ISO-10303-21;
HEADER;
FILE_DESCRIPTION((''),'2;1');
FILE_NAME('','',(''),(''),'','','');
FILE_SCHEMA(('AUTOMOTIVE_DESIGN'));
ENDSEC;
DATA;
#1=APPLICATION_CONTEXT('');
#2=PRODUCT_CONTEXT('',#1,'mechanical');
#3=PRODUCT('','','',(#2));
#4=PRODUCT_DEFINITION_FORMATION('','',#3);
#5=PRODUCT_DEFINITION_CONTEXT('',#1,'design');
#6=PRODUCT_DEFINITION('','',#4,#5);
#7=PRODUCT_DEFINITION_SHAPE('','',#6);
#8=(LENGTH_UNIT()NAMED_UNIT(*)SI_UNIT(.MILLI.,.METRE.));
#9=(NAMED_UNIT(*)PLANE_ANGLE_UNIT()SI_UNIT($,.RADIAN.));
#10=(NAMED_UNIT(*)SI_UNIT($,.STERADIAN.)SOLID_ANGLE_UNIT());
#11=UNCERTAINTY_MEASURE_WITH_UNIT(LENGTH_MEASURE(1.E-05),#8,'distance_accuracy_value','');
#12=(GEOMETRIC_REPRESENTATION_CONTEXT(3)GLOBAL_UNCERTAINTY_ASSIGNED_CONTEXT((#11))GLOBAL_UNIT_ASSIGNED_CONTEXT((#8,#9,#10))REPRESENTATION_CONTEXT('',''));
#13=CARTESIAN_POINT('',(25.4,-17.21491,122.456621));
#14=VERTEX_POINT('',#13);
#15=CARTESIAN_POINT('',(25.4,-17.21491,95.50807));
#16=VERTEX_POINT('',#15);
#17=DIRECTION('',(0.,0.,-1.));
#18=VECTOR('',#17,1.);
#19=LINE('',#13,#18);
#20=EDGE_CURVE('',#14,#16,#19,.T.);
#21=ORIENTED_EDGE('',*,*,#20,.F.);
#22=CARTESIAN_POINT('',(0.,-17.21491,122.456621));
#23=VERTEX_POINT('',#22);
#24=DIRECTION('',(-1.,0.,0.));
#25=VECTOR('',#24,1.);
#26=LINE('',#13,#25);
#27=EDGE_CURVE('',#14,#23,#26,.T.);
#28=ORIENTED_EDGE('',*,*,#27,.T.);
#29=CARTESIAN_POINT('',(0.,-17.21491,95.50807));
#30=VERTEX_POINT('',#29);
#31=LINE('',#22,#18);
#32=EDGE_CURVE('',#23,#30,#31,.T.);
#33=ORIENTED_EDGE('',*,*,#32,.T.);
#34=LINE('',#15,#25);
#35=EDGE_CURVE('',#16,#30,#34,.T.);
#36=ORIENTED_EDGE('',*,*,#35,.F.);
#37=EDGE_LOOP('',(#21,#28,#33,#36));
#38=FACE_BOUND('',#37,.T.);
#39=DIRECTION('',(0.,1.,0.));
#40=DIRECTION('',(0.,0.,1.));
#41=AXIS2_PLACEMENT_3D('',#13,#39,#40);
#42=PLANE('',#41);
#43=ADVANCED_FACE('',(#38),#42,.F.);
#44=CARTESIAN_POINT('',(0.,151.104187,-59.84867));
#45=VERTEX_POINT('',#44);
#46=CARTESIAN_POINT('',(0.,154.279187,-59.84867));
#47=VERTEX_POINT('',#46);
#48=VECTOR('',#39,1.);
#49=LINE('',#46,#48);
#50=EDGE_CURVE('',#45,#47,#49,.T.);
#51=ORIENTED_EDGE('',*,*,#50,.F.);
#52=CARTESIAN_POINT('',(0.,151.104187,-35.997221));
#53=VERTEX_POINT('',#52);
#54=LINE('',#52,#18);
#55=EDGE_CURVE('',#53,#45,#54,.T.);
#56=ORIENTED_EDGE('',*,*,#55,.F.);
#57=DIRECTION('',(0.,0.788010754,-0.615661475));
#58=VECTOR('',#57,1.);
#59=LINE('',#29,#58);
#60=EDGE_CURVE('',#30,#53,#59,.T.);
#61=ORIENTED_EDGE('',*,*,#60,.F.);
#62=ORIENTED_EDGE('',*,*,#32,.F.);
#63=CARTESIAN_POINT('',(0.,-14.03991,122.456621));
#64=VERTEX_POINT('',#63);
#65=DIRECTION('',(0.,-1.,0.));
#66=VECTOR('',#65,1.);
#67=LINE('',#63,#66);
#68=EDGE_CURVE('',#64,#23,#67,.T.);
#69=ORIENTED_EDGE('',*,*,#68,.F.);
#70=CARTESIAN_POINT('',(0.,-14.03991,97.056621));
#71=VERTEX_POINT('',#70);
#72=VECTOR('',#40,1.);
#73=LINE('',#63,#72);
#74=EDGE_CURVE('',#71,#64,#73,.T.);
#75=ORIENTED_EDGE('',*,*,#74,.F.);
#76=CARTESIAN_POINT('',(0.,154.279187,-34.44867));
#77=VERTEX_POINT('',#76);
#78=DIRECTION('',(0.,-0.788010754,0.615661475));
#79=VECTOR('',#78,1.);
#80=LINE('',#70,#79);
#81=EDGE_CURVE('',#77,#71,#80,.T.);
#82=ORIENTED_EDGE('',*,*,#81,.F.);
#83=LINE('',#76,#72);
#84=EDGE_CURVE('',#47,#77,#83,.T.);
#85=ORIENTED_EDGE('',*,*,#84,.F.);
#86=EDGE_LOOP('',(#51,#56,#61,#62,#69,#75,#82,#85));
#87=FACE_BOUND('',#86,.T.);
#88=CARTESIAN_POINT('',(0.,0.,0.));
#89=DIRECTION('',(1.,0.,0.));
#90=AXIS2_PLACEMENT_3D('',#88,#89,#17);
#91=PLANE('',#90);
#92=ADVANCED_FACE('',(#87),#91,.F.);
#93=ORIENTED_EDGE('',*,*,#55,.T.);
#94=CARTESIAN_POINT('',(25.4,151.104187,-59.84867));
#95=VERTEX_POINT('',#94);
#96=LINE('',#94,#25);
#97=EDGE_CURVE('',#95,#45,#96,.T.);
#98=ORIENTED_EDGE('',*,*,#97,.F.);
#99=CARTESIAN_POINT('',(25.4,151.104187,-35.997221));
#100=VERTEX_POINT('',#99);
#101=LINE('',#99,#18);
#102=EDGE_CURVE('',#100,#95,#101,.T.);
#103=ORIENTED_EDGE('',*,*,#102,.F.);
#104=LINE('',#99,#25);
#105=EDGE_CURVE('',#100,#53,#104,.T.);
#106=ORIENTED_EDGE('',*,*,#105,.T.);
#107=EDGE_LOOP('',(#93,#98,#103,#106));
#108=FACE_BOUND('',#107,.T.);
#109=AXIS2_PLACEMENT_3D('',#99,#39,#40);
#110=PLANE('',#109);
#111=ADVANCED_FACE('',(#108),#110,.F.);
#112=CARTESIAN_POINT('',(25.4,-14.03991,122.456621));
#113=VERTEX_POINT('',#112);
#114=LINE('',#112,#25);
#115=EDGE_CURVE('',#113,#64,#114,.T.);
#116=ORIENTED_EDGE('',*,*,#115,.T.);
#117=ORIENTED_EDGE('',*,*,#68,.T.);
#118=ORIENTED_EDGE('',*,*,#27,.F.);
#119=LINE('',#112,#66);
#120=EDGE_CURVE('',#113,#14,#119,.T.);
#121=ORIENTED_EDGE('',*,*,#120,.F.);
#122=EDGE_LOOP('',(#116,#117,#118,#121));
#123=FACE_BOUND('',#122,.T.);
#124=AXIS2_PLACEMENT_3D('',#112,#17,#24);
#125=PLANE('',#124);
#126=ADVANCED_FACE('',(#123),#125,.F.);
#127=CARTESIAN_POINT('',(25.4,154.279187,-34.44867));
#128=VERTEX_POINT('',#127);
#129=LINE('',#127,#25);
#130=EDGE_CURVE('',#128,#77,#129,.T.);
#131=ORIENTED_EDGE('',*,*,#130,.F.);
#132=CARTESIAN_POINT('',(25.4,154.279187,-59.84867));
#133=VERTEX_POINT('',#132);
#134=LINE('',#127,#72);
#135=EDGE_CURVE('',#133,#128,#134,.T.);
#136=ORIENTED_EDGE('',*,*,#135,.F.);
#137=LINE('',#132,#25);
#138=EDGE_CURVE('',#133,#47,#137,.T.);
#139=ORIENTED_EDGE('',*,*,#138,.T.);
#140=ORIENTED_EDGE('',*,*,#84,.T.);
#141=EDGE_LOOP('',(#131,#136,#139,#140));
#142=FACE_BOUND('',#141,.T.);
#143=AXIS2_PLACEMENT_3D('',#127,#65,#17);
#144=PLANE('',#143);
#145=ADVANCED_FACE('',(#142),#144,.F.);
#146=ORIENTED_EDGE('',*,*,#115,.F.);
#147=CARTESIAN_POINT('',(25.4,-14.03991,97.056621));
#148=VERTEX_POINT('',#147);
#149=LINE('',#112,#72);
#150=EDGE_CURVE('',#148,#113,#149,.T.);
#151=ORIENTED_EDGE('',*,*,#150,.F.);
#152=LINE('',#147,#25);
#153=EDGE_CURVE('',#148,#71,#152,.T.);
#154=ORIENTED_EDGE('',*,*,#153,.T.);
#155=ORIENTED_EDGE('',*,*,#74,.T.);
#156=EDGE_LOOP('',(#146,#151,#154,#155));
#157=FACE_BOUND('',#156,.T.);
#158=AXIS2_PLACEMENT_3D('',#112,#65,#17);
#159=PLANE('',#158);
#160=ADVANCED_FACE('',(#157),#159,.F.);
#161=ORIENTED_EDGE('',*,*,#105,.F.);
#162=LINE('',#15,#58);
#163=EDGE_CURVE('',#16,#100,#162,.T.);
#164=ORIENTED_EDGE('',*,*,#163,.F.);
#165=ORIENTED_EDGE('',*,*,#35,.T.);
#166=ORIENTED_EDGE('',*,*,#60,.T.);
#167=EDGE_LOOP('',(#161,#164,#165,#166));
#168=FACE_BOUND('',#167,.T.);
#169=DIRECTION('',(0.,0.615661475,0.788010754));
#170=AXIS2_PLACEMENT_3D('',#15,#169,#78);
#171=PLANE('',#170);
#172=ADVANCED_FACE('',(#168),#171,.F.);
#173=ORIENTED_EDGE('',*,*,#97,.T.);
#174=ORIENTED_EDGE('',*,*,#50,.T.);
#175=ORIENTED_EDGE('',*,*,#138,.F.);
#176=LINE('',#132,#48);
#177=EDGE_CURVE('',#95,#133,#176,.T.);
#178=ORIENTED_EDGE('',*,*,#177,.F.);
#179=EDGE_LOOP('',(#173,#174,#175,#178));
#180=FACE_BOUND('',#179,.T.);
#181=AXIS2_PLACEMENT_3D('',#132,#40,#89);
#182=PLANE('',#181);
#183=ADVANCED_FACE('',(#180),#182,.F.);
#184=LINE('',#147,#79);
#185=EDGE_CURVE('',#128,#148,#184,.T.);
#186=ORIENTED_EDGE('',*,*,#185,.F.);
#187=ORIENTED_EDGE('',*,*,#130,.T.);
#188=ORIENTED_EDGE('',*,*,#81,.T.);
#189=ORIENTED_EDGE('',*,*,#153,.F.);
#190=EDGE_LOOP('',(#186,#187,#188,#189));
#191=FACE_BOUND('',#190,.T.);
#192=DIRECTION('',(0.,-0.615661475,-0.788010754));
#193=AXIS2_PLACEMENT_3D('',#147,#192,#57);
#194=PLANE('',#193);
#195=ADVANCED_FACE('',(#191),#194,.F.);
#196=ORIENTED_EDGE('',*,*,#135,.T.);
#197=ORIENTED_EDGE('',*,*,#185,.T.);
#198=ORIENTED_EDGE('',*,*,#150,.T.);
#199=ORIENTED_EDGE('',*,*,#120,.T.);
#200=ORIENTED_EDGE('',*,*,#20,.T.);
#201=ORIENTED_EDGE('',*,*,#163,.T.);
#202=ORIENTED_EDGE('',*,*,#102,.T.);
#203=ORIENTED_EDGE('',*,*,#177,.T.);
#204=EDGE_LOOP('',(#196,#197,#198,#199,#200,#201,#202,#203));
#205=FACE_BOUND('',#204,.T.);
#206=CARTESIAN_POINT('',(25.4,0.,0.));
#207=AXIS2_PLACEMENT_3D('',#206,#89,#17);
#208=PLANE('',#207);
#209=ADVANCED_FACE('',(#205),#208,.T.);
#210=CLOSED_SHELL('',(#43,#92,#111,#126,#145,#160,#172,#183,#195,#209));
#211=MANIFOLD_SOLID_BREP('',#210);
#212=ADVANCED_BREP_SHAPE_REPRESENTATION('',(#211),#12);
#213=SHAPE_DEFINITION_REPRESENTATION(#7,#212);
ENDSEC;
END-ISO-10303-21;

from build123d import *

# Parameters (mm, degrees)
BOSS_EXTRUDE1_DEPTH = 25.4


with BuildPart() as part:
    # Sketch1 → Boss-Extrude1 (new body)
    with BuildSketch(Plane(origin=(0, 0, 0), x_dir=(0, 0, -1), z_dir=(1, 0, 0))):
        Polygon((-122.456620816, -14.03991021), (-97.056620816, -14.03991021), (34.448670314, 154.279186761), (59.848670314, 154.279186761), (59.848670314, 151.104186761), (35.997221283, 151.104186761), (-95.508069847, -17.21491021), (-122.456620816, -17.21491021), align=None)
    extrude(amount=BOSS_EXTRUDE1_DEPTH)


solid = part.part
